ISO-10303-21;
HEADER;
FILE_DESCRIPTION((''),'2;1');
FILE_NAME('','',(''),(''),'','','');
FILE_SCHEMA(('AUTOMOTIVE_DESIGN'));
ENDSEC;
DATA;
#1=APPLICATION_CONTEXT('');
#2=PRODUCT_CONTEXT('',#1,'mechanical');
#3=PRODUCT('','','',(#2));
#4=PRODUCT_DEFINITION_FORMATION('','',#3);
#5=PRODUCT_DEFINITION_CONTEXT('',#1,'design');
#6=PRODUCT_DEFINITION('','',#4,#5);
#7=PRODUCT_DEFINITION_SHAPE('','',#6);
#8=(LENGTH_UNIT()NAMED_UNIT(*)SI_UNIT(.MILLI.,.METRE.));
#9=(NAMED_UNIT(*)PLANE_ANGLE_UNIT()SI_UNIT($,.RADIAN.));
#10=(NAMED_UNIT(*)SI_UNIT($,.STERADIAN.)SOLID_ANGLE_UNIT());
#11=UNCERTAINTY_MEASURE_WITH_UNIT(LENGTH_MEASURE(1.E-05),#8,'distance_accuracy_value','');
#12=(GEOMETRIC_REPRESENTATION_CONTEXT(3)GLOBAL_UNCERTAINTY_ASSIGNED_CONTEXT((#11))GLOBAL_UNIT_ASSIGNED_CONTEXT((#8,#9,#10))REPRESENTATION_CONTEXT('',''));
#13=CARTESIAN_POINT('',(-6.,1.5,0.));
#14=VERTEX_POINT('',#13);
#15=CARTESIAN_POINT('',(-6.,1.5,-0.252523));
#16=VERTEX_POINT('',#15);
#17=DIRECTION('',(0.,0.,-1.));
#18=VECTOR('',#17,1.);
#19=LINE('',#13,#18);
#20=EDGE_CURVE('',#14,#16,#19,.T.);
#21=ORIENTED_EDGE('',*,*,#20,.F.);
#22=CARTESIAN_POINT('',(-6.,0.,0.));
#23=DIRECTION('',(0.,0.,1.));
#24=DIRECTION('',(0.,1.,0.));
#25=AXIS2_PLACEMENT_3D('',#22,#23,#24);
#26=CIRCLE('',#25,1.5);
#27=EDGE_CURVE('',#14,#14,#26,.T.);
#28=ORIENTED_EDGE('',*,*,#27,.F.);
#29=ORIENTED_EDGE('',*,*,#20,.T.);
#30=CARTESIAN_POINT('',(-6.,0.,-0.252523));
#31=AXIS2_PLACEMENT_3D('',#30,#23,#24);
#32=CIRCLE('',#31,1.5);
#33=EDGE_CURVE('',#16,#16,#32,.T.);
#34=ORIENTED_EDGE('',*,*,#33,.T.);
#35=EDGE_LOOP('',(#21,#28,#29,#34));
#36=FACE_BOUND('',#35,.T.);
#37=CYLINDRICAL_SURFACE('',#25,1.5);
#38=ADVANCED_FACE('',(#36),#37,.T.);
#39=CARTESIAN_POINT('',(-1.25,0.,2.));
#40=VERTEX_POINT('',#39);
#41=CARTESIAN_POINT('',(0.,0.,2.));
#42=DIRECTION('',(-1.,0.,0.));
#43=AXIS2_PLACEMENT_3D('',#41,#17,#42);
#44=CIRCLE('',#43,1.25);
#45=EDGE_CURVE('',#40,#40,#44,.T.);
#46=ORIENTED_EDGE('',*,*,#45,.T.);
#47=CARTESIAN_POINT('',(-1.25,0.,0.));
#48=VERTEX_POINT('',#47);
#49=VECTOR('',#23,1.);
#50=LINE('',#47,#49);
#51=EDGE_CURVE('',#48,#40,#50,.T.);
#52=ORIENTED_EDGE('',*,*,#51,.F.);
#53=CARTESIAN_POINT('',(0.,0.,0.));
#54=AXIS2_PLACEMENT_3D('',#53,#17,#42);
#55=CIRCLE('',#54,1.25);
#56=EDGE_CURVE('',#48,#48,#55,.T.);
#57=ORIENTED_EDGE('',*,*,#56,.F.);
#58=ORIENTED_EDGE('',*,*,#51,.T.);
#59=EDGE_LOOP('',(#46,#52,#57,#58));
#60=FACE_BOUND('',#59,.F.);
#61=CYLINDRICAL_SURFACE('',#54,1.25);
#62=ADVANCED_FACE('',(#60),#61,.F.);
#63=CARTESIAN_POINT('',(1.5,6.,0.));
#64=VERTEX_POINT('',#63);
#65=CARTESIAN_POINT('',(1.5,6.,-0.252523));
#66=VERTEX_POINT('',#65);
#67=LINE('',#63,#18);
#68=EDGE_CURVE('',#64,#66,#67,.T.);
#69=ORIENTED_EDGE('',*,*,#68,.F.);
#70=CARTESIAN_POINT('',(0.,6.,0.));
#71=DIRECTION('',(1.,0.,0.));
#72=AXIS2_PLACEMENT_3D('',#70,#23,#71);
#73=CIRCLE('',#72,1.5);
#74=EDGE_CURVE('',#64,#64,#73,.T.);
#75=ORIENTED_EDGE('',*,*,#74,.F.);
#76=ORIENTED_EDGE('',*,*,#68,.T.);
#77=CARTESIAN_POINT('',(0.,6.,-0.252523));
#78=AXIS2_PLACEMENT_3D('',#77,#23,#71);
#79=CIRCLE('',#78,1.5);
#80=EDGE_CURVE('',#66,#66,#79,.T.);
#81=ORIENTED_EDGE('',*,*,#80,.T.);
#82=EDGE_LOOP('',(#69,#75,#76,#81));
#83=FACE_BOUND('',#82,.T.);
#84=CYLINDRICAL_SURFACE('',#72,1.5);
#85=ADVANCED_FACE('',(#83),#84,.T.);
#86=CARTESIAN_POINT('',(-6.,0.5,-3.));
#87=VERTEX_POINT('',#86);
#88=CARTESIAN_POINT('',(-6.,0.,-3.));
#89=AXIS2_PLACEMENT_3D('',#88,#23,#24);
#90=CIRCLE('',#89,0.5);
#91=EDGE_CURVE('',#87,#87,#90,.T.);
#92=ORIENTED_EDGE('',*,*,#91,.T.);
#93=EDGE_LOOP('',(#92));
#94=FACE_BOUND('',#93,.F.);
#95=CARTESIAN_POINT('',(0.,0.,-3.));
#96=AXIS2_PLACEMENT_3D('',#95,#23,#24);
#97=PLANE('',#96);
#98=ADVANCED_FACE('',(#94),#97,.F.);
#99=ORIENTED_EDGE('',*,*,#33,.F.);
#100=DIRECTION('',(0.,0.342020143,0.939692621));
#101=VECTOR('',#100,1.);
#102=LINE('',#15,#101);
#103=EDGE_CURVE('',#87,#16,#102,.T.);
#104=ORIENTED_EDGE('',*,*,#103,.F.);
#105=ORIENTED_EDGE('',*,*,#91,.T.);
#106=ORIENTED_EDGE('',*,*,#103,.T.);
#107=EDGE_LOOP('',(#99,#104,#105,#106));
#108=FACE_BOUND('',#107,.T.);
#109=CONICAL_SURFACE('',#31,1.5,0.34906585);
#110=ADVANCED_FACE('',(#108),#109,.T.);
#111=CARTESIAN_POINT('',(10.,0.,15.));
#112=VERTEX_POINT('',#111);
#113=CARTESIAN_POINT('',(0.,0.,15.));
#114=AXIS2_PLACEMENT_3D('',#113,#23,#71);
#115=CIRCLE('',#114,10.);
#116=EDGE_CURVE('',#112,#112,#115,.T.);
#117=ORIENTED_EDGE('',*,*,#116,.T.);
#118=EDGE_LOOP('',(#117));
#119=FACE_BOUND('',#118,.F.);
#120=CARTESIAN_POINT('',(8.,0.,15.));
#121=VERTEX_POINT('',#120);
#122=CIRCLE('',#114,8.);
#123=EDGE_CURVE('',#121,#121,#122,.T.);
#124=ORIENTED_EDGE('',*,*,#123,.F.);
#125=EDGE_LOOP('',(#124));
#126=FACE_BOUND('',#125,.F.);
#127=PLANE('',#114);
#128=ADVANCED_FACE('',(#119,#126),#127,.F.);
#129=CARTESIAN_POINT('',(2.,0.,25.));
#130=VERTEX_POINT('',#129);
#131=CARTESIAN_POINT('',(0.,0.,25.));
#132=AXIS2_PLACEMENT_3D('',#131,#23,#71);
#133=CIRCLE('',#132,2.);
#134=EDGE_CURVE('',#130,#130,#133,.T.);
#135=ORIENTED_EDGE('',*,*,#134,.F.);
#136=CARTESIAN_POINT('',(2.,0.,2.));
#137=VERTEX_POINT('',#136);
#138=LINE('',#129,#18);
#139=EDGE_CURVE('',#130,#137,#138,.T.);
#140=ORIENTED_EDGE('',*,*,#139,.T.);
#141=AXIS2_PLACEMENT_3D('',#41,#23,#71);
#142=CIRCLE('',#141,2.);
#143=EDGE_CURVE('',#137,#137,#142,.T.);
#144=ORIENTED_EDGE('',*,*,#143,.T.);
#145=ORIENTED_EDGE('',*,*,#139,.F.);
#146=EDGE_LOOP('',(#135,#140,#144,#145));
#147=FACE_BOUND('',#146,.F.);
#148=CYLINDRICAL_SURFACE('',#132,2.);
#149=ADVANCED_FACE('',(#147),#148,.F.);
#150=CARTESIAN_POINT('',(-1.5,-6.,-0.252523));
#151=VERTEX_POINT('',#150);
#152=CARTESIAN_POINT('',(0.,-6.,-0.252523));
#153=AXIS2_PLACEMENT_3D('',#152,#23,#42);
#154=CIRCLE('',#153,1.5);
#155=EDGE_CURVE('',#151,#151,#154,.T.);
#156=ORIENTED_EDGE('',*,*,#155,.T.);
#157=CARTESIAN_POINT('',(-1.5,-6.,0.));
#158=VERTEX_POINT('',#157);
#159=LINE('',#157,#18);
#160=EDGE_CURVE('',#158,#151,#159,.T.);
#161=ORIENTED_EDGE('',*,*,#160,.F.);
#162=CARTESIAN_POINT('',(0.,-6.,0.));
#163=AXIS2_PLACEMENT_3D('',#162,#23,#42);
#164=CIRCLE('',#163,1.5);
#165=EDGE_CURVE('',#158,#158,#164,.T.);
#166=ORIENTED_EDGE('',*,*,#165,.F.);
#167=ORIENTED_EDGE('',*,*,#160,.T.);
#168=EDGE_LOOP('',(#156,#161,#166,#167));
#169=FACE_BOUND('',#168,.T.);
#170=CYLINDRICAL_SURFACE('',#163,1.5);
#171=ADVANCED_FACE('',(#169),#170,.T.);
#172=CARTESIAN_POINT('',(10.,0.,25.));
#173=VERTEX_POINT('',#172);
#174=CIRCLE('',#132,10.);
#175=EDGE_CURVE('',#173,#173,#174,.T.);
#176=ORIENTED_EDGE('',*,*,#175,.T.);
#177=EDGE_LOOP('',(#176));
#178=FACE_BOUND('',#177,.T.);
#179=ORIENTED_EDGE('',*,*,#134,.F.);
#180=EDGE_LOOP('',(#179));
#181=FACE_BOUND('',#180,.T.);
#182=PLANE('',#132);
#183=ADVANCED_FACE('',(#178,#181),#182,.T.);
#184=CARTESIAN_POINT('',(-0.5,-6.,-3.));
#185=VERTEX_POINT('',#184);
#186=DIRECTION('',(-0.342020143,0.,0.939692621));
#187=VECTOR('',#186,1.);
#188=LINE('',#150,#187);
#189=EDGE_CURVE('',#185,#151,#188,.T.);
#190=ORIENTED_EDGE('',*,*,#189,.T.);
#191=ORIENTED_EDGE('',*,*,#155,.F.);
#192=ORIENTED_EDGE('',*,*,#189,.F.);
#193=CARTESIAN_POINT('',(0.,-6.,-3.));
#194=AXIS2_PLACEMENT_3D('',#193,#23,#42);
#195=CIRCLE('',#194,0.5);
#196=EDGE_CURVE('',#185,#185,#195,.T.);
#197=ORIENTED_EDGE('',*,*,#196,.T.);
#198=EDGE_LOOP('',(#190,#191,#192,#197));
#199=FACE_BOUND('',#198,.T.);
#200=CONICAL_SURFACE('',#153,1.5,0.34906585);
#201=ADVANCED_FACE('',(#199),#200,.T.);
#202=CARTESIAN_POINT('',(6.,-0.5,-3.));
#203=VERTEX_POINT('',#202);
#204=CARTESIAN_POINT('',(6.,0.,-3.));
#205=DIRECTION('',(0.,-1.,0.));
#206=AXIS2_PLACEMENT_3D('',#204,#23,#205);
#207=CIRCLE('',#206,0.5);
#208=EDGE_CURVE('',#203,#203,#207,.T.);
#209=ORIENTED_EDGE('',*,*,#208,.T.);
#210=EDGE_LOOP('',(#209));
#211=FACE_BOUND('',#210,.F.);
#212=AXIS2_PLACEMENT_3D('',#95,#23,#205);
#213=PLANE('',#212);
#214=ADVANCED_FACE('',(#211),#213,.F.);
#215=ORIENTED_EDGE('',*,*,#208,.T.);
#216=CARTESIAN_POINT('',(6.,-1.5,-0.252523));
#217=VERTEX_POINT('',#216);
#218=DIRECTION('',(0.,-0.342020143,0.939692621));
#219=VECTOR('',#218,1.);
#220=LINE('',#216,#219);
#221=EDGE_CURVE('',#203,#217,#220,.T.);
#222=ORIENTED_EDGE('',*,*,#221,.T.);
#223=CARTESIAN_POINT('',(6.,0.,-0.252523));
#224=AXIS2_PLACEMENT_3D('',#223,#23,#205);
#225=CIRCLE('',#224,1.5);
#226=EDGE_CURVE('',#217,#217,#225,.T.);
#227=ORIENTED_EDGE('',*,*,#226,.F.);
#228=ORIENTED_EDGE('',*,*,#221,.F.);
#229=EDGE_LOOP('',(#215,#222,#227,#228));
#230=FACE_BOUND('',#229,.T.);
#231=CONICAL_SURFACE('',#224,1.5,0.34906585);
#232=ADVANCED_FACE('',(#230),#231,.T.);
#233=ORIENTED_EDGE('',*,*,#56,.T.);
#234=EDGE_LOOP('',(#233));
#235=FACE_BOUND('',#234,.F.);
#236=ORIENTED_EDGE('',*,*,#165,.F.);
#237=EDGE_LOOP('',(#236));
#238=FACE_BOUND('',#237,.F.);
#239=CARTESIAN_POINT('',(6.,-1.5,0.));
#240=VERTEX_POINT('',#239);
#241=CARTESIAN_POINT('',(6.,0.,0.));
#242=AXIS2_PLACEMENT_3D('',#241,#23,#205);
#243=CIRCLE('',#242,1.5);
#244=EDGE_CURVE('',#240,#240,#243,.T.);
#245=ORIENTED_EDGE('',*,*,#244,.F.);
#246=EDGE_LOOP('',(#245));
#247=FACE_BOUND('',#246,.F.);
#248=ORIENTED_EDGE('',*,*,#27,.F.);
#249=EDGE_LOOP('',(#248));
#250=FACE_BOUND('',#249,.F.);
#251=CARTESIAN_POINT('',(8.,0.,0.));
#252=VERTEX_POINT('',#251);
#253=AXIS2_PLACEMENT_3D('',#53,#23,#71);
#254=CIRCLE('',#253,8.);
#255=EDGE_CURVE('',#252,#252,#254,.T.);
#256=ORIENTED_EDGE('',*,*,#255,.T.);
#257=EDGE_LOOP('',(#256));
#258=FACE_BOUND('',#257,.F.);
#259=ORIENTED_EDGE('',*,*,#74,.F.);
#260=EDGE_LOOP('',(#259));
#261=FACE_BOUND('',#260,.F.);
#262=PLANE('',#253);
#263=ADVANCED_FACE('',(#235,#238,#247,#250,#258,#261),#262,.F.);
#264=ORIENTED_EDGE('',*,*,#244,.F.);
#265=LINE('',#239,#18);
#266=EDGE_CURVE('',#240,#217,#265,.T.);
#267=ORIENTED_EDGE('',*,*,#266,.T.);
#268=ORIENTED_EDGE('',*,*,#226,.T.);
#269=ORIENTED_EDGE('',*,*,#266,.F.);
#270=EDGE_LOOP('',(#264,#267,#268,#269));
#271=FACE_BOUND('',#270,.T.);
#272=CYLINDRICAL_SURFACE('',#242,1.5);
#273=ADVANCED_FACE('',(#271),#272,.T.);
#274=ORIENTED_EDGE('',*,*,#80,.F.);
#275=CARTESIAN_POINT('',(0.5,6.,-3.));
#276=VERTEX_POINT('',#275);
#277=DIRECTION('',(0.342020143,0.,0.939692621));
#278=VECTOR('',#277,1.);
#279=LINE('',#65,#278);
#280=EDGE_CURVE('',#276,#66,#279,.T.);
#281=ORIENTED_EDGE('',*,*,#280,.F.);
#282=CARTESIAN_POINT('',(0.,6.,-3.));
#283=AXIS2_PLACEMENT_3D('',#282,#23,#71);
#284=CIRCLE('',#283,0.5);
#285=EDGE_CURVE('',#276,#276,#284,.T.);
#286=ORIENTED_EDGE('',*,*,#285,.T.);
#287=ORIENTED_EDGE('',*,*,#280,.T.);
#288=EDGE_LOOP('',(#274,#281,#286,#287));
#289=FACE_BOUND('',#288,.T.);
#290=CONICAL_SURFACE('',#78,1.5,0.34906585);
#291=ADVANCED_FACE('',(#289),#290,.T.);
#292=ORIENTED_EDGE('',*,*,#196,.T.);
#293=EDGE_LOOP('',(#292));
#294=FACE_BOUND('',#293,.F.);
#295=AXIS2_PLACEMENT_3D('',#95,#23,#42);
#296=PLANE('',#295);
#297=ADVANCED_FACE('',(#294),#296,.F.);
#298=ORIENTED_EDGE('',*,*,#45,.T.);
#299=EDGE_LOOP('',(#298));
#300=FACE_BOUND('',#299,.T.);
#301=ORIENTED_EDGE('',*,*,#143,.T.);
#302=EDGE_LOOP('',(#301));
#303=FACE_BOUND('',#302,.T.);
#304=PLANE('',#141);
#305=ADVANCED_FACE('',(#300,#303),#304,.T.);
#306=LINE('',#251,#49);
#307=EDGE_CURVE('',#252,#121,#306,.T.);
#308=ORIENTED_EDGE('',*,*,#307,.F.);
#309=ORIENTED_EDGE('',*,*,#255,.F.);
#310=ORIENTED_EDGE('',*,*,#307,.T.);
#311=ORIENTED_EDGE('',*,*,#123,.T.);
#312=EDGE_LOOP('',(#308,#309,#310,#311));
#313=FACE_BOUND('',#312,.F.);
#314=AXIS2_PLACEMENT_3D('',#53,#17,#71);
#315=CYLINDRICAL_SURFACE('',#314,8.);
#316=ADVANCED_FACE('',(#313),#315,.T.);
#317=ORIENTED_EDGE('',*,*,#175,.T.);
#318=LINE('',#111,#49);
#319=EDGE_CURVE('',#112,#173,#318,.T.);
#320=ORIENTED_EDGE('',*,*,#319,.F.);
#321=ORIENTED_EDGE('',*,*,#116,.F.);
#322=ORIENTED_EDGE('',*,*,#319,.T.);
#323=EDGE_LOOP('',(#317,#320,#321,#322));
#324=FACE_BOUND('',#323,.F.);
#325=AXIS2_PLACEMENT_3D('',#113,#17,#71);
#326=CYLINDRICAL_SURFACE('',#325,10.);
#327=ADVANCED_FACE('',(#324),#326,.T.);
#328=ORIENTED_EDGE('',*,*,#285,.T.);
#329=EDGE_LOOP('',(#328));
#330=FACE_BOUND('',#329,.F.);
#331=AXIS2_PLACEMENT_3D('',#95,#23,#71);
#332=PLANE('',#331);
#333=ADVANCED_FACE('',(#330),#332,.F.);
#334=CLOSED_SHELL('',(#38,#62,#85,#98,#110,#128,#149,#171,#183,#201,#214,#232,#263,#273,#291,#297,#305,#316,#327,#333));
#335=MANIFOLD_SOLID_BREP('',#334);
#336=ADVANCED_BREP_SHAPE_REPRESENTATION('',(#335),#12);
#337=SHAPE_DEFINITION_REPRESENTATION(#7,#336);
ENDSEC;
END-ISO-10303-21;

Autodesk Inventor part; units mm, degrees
ref_plane "YZ Plane" through (0, 0, 0) normal (1, 0, 0) x (0, 1, 0)
ref_plane "XZ Plane" through (0, 0, 0) normal (0, 1, 0) x (-1, 0, 0)
ref_plane "XY Plane" through (0, 0, 0) normal (0, 0, 1) x (1, 0, 0)
sketch "Sketch1" plane through (0, 0, 0) normal (0, 0, 1) x (1, 0, 0)
  circle A0 centre (0, 0) radius 8
  circle A1 centre (0, 6) radius 1.5
  dimension "d0" = 16
  dimension "d1" = 3
  dimension "d2" = 6
  dimension "d3" = 0
extrude "Extrusion1" add sketch "Sketch1" along normal blind 15 contours A0 | A1
extrude "Extrusion2" add sketch "Sketch1" against normal blind 3 contours A1
chamfer "Chamfer1" distance 1 angle 70 1 edges at (-1.5, 6, -3) measured on face at (-0.1505, 5.5836, -3)
pattern_circular "Circular Pattern1" count 4 over 360 about axis through (0, 0, 0) along (0, 0, 1) of "Extrusion2", "Chamfer1"
sketch "Sketch3" plane through (0, 0, 15) normal (0, 0, 1) x (1, 0, 0)
  circle A0 centre (0, 0) radius 10
  dimension "d17" = 20
extrude "Extrusion4" add sketch "Sketch3" along normal blind 10
sketch "Sketch2" plane through (0, 0, 0) normal (0, 0, -1) x (-1, 0, 0)
  circle A0 centre (0, 0) radius 1.25
  dimension "d14" = 2.5
extrude "Extrusion3" cut sketch "Sketch2" against normal through all
sketch "Sketch4" plane through (0, 0, 25) normal (0, 0, 1) x (1, 0, 0)
  circle A0 centre (0, 0) radius 2
  dimension "d20" = 4
extrude "Extrusion5" cut sketch "Sketch4" against normal blind 23
properties part number "Motor1Gear"
